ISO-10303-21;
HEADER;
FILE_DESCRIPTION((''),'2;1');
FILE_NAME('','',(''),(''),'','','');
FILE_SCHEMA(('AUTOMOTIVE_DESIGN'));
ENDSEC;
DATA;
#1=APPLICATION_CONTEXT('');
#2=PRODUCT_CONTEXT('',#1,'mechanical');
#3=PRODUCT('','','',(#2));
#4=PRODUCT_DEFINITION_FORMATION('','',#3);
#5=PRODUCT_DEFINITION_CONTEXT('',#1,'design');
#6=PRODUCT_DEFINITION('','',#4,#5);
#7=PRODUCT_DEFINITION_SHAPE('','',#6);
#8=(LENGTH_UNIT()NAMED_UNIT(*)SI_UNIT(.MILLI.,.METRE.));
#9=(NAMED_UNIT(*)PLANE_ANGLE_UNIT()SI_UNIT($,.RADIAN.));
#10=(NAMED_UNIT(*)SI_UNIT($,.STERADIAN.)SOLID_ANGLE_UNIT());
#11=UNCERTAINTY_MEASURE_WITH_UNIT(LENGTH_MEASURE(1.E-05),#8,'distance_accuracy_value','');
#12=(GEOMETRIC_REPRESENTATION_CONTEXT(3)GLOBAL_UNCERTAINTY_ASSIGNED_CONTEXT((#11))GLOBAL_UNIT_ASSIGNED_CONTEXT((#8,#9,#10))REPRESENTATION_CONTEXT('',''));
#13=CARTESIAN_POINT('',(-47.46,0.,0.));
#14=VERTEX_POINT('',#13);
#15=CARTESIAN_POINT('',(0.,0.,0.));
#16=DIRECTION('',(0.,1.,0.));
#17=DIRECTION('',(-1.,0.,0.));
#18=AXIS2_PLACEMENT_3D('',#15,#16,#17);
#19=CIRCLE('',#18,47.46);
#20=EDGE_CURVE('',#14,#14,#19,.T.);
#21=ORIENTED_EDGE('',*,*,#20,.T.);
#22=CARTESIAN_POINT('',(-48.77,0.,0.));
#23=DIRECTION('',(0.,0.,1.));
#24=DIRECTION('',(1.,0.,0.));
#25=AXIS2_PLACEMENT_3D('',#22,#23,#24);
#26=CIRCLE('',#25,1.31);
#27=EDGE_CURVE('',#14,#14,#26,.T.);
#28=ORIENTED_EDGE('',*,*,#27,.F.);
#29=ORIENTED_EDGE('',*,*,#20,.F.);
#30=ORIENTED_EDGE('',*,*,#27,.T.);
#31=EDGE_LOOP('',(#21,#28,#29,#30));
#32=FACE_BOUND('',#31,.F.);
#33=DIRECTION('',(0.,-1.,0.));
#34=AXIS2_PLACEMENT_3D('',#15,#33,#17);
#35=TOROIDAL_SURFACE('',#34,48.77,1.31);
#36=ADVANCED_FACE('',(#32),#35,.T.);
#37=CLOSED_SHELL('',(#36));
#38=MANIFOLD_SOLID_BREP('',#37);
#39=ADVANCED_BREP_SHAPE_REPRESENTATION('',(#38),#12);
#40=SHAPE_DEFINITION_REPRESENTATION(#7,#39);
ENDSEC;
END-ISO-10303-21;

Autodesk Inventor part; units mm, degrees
ref_plane "YZ Plane" through (0, 0, 0) normal (1, 0, 0) x (0, 1, 0)
ref_plane "XY Plane" through (0, 0, 0) normal (0, 0, 1) x (1, 0, 0)
sketch "Sketch1" plane through (0, 0, 0) normal (0, 0, 1) x (1, 0, 0)
  circle A0 centre (-48.77, 0) radius 1.31
  line L0 (0, 0) -> (0, 34.5509)
  dimension "d0" = 2.62
  dimension "d2" = 48.77
revolve "Revolution1" add sketch "Sketch1" angle 360 about axis through (0, 0, 0) along (0, 1, 0)
sketch "Sketch2" plane through (0, 0, 0) normal (0, 1, 0) x (-1, 0, 0)
  circle A0 centre (0, 0) radius 52.7902
ref_plane "Work Plane1" through (0, -1.31, 0) normal (0, 1, 0) x (-1, 0, 0)
sketch "Sketch4" plane through (0, -1.31, 0) normal (0, 1, 0) x (-1, 0, 0)
  circle A0 centre (0, 0) radius 50.5
  dimension "d5" = 101
ref_plane "Work Plane2" through (0, 1.31, 0) normal (0, 1, 0) x (-1, 0, 0)
sketch "Sketch5" plane through (0, 1.31, 0) normal (0, 1, 0) x (-1, 0, 0)
  circle A0 centre (0, 0) radius 48.4376
properties part number "Sello Plato Oring2155" material "Rubber, Silicone"
